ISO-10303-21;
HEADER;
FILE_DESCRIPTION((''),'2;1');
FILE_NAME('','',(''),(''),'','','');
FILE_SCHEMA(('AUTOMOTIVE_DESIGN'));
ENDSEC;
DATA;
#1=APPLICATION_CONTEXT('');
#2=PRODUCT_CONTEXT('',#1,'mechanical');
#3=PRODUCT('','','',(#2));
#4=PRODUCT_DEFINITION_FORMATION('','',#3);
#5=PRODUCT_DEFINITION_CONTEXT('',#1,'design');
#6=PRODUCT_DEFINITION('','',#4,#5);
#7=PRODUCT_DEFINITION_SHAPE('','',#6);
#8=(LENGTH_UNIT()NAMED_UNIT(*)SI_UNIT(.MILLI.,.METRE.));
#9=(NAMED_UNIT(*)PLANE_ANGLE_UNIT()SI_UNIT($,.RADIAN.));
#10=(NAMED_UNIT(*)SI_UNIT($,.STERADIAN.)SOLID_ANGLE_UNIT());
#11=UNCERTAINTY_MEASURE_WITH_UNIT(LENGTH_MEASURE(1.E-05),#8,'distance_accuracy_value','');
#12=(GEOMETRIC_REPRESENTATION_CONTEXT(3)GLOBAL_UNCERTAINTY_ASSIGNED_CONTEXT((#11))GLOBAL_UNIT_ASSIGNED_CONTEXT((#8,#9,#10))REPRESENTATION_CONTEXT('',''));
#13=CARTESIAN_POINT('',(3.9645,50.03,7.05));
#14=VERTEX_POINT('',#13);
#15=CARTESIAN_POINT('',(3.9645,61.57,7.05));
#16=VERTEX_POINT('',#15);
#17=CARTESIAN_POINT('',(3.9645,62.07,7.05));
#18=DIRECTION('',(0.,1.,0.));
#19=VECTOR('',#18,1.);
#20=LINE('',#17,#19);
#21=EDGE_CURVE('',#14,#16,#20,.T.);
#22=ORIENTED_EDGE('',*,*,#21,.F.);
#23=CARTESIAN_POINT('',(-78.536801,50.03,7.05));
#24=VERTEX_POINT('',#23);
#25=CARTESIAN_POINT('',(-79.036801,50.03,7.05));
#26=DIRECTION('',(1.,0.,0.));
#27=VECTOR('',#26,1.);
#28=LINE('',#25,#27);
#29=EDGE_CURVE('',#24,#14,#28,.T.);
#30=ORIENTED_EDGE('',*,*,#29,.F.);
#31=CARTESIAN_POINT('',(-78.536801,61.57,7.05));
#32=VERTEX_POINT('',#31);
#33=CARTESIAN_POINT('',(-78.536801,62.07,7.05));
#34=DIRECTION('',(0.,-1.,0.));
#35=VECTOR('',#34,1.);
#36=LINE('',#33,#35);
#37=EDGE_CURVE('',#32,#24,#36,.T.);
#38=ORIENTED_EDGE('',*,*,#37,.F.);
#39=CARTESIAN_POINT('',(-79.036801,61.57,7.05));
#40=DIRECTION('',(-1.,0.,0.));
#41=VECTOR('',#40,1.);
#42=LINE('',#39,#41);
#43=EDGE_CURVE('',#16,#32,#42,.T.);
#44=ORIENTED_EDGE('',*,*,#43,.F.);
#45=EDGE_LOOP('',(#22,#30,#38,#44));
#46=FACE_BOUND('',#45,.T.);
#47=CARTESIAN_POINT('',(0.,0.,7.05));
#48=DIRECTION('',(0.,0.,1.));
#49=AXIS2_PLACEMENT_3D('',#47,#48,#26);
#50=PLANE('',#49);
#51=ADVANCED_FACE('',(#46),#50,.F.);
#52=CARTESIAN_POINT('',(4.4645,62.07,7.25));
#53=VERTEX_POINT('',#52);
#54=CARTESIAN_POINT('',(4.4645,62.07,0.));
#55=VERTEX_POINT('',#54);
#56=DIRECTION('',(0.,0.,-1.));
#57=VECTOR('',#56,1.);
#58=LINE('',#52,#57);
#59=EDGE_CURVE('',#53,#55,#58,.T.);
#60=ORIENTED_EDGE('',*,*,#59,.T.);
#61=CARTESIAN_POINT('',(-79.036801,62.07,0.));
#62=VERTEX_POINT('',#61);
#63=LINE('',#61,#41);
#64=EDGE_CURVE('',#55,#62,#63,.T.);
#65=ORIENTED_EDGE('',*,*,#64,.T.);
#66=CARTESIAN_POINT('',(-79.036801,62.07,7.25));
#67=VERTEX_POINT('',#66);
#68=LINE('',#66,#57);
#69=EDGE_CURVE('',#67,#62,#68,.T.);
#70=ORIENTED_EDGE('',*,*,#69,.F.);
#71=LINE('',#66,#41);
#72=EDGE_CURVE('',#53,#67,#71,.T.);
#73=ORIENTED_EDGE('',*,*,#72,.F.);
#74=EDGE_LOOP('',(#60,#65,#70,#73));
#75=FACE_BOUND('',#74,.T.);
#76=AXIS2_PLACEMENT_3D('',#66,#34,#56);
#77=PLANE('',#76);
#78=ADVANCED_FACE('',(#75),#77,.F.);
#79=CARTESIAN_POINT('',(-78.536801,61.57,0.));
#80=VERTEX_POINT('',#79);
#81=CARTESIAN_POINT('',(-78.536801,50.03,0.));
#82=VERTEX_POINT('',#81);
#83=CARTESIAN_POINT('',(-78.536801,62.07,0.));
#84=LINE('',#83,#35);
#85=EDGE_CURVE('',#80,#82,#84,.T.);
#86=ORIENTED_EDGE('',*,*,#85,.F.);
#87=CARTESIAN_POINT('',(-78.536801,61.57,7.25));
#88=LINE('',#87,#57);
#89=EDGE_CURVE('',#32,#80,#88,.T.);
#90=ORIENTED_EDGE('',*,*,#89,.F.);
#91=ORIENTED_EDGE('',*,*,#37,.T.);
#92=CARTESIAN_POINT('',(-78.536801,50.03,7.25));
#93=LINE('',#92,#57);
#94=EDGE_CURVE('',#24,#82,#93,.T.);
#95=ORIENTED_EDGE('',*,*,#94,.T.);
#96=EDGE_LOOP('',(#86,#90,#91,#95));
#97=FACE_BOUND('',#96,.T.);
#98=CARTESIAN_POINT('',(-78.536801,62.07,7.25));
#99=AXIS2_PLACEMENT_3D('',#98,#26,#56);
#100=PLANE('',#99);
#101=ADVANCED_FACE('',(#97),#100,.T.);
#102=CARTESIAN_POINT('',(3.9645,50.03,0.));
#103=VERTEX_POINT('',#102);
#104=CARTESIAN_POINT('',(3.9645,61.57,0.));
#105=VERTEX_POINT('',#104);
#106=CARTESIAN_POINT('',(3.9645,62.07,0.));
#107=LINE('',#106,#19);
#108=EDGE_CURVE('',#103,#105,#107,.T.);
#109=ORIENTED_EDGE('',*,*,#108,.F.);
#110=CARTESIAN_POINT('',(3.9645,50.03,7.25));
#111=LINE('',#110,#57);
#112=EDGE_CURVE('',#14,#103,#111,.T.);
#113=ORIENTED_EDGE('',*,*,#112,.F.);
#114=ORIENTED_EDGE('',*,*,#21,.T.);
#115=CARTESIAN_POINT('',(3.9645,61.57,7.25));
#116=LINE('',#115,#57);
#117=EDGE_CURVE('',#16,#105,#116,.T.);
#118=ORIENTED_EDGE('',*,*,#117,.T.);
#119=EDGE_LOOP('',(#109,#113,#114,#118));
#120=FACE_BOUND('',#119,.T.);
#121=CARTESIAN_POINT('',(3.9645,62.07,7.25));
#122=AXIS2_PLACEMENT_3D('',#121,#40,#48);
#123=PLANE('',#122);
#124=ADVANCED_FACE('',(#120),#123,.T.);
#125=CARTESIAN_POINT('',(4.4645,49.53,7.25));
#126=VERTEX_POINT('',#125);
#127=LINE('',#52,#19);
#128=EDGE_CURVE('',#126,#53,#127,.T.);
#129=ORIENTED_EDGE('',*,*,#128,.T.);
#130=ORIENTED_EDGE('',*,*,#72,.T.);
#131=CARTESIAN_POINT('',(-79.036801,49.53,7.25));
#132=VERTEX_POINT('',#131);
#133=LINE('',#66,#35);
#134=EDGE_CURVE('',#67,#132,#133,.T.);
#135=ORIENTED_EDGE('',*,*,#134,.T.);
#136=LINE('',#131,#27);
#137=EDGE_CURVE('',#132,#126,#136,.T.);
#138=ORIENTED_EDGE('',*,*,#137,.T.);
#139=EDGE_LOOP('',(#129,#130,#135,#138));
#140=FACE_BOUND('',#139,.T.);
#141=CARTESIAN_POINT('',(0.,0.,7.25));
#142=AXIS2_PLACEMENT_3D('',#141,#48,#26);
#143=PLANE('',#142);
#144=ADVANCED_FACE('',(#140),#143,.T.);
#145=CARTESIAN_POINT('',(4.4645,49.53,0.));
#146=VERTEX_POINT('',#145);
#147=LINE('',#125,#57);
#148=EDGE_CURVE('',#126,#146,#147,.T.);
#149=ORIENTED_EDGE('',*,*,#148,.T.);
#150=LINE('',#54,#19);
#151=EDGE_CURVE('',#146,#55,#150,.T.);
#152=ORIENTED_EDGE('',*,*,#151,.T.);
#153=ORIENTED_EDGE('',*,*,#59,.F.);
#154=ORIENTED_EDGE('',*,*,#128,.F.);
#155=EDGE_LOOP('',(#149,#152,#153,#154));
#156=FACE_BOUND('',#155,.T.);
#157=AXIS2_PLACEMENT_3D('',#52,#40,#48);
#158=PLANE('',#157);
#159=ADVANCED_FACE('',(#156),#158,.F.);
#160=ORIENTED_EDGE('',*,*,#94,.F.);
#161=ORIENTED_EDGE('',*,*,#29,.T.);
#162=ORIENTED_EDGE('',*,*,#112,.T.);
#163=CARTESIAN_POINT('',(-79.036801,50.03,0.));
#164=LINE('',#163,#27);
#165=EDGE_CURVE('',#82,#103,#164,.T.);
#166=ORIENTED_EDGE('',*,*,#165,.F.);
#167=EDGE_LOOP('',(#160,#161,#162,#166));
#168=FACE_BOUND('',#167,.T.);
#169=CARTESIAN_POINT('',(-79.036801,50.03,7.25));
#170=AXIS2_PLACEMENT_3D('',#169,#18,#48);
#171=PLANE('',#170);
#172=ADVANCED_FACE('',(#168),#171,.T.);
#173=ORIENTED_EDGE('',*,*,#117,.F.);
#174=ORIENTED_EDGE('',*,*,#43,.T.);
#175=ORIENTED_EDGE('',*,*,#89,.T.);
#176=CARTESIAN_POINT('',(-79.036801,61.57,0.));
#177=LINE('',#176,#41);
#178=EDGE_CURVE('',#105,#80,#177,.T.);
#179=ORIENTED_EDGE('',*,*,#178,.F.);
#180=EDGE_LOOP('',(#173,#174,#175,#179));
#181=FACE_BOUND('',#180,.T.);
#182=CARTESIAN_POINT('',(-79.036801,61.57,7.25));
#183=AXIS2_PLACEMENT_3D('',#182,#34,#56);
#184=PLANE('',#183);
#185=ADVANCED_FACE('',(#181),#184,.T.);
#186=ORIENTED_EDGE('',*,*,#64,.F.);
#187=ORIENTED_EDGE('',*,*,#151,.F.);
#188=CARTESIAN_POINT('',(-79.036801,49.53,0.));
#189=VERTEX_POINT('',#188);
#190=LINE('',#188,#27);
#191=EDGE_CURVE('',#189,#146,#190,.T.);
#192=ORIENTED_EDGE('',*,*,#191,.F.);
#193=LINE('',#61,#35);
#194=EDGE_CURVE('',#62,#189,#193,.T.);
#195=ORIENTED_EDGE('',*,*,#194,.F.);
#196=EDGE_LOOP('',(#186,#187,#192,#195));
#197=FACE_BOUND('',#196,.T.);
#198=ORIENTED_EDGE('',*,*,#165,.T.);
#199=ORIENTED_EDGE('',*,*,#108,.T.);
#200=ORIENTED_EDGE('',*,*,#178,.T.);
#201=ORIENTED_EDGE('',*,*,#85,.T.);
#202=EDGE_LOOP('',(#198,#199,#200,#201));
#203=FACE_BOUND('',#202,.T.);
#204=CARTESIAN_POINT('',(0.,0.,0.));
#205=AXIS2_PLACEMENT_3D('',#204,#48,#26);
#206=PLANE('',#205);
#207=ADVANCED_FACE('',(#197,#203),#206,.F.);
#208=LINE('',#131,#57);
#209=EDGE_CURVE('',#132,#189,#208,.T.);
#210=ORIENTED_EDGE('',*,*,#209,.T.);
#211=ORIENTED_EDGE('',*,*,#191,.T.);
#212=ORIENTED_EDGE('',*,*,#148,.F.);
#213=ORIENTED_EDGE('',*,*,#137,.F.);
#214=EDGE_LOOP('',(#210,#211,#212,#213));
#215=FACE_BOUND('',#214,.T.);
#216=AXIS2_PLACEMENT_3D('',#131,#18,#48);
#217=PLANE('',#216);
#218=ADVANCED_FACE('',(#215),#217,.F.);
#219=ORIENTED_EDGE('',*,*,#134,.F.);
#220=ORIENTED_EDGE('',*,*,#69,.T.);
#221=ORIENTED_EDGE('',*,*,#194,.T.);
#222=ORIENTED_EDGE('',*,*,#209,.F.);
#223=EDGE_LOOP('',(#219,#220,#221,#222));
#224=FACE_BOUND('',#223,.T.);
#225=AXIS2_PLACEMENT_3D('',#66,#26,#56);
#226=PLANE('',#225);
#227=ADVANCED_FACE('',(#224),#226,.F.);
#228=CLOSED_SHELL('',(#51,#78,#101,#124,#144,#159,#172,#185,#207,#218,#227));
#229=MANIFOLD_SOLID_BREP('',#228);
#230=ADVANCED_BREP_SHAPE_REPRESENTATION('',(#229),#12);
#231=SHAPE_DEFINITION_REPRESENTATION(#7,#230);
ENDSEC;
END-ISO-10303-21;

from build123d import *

# Parameters (mm, degrees)
SKETCH1_W                 = 83.50130149
SKETCH1_H                 = 12.54
BOSS_EXTRUDE1_DEPTH       = 7.25
SHELL1_T                  = -0.5
SHELL1_THICKNESS_2_FACE_W = 82.50130149
SHELL1_THICKNESS_2_FACE_H = 11.54
SHELL1_THICKNESS_2_DEPTH  = 0.3


with BuildPart() as part:
    # Sketch1 → Boss-Extrude1 (new body)
    with BuildSketch(Plane.XY):
        with Locations((-37.286150745, 55.8)):
            Rectangle(SKETCH1_W, SKETCH1_H)
    extrude(amount=BOSS_EXTRUDE1_DEPTH)

    # Shell1
    shell1_openings = [part.faces().sort_by_distance(p)[0] for p in [
        (-37.286150745, 55.8, 0),
    ]]
    offset(amount=SHELL1_T, openings=shell1_openings, kind=Kind.INTERSECTION)

    # Shell1 thickness 2 face (on inner face of the shell) → Shell1 thickness 2 (cut)
    with BuildSketch(Plane(origin=(-37.286150745, 55.8, 6.75), x_dir=(1, 0, 0), z_dir=(0, 0, 1))):
        Rectangle(SHELL1_THICKNESS_2_FACE_W, SHELL1_THICKNESS_2_FACE_H)
    extrude(amount=SHELL1_THICKNESS_2_DEPTH, mode=Mode.SUBTRACT)


solid = part.part
